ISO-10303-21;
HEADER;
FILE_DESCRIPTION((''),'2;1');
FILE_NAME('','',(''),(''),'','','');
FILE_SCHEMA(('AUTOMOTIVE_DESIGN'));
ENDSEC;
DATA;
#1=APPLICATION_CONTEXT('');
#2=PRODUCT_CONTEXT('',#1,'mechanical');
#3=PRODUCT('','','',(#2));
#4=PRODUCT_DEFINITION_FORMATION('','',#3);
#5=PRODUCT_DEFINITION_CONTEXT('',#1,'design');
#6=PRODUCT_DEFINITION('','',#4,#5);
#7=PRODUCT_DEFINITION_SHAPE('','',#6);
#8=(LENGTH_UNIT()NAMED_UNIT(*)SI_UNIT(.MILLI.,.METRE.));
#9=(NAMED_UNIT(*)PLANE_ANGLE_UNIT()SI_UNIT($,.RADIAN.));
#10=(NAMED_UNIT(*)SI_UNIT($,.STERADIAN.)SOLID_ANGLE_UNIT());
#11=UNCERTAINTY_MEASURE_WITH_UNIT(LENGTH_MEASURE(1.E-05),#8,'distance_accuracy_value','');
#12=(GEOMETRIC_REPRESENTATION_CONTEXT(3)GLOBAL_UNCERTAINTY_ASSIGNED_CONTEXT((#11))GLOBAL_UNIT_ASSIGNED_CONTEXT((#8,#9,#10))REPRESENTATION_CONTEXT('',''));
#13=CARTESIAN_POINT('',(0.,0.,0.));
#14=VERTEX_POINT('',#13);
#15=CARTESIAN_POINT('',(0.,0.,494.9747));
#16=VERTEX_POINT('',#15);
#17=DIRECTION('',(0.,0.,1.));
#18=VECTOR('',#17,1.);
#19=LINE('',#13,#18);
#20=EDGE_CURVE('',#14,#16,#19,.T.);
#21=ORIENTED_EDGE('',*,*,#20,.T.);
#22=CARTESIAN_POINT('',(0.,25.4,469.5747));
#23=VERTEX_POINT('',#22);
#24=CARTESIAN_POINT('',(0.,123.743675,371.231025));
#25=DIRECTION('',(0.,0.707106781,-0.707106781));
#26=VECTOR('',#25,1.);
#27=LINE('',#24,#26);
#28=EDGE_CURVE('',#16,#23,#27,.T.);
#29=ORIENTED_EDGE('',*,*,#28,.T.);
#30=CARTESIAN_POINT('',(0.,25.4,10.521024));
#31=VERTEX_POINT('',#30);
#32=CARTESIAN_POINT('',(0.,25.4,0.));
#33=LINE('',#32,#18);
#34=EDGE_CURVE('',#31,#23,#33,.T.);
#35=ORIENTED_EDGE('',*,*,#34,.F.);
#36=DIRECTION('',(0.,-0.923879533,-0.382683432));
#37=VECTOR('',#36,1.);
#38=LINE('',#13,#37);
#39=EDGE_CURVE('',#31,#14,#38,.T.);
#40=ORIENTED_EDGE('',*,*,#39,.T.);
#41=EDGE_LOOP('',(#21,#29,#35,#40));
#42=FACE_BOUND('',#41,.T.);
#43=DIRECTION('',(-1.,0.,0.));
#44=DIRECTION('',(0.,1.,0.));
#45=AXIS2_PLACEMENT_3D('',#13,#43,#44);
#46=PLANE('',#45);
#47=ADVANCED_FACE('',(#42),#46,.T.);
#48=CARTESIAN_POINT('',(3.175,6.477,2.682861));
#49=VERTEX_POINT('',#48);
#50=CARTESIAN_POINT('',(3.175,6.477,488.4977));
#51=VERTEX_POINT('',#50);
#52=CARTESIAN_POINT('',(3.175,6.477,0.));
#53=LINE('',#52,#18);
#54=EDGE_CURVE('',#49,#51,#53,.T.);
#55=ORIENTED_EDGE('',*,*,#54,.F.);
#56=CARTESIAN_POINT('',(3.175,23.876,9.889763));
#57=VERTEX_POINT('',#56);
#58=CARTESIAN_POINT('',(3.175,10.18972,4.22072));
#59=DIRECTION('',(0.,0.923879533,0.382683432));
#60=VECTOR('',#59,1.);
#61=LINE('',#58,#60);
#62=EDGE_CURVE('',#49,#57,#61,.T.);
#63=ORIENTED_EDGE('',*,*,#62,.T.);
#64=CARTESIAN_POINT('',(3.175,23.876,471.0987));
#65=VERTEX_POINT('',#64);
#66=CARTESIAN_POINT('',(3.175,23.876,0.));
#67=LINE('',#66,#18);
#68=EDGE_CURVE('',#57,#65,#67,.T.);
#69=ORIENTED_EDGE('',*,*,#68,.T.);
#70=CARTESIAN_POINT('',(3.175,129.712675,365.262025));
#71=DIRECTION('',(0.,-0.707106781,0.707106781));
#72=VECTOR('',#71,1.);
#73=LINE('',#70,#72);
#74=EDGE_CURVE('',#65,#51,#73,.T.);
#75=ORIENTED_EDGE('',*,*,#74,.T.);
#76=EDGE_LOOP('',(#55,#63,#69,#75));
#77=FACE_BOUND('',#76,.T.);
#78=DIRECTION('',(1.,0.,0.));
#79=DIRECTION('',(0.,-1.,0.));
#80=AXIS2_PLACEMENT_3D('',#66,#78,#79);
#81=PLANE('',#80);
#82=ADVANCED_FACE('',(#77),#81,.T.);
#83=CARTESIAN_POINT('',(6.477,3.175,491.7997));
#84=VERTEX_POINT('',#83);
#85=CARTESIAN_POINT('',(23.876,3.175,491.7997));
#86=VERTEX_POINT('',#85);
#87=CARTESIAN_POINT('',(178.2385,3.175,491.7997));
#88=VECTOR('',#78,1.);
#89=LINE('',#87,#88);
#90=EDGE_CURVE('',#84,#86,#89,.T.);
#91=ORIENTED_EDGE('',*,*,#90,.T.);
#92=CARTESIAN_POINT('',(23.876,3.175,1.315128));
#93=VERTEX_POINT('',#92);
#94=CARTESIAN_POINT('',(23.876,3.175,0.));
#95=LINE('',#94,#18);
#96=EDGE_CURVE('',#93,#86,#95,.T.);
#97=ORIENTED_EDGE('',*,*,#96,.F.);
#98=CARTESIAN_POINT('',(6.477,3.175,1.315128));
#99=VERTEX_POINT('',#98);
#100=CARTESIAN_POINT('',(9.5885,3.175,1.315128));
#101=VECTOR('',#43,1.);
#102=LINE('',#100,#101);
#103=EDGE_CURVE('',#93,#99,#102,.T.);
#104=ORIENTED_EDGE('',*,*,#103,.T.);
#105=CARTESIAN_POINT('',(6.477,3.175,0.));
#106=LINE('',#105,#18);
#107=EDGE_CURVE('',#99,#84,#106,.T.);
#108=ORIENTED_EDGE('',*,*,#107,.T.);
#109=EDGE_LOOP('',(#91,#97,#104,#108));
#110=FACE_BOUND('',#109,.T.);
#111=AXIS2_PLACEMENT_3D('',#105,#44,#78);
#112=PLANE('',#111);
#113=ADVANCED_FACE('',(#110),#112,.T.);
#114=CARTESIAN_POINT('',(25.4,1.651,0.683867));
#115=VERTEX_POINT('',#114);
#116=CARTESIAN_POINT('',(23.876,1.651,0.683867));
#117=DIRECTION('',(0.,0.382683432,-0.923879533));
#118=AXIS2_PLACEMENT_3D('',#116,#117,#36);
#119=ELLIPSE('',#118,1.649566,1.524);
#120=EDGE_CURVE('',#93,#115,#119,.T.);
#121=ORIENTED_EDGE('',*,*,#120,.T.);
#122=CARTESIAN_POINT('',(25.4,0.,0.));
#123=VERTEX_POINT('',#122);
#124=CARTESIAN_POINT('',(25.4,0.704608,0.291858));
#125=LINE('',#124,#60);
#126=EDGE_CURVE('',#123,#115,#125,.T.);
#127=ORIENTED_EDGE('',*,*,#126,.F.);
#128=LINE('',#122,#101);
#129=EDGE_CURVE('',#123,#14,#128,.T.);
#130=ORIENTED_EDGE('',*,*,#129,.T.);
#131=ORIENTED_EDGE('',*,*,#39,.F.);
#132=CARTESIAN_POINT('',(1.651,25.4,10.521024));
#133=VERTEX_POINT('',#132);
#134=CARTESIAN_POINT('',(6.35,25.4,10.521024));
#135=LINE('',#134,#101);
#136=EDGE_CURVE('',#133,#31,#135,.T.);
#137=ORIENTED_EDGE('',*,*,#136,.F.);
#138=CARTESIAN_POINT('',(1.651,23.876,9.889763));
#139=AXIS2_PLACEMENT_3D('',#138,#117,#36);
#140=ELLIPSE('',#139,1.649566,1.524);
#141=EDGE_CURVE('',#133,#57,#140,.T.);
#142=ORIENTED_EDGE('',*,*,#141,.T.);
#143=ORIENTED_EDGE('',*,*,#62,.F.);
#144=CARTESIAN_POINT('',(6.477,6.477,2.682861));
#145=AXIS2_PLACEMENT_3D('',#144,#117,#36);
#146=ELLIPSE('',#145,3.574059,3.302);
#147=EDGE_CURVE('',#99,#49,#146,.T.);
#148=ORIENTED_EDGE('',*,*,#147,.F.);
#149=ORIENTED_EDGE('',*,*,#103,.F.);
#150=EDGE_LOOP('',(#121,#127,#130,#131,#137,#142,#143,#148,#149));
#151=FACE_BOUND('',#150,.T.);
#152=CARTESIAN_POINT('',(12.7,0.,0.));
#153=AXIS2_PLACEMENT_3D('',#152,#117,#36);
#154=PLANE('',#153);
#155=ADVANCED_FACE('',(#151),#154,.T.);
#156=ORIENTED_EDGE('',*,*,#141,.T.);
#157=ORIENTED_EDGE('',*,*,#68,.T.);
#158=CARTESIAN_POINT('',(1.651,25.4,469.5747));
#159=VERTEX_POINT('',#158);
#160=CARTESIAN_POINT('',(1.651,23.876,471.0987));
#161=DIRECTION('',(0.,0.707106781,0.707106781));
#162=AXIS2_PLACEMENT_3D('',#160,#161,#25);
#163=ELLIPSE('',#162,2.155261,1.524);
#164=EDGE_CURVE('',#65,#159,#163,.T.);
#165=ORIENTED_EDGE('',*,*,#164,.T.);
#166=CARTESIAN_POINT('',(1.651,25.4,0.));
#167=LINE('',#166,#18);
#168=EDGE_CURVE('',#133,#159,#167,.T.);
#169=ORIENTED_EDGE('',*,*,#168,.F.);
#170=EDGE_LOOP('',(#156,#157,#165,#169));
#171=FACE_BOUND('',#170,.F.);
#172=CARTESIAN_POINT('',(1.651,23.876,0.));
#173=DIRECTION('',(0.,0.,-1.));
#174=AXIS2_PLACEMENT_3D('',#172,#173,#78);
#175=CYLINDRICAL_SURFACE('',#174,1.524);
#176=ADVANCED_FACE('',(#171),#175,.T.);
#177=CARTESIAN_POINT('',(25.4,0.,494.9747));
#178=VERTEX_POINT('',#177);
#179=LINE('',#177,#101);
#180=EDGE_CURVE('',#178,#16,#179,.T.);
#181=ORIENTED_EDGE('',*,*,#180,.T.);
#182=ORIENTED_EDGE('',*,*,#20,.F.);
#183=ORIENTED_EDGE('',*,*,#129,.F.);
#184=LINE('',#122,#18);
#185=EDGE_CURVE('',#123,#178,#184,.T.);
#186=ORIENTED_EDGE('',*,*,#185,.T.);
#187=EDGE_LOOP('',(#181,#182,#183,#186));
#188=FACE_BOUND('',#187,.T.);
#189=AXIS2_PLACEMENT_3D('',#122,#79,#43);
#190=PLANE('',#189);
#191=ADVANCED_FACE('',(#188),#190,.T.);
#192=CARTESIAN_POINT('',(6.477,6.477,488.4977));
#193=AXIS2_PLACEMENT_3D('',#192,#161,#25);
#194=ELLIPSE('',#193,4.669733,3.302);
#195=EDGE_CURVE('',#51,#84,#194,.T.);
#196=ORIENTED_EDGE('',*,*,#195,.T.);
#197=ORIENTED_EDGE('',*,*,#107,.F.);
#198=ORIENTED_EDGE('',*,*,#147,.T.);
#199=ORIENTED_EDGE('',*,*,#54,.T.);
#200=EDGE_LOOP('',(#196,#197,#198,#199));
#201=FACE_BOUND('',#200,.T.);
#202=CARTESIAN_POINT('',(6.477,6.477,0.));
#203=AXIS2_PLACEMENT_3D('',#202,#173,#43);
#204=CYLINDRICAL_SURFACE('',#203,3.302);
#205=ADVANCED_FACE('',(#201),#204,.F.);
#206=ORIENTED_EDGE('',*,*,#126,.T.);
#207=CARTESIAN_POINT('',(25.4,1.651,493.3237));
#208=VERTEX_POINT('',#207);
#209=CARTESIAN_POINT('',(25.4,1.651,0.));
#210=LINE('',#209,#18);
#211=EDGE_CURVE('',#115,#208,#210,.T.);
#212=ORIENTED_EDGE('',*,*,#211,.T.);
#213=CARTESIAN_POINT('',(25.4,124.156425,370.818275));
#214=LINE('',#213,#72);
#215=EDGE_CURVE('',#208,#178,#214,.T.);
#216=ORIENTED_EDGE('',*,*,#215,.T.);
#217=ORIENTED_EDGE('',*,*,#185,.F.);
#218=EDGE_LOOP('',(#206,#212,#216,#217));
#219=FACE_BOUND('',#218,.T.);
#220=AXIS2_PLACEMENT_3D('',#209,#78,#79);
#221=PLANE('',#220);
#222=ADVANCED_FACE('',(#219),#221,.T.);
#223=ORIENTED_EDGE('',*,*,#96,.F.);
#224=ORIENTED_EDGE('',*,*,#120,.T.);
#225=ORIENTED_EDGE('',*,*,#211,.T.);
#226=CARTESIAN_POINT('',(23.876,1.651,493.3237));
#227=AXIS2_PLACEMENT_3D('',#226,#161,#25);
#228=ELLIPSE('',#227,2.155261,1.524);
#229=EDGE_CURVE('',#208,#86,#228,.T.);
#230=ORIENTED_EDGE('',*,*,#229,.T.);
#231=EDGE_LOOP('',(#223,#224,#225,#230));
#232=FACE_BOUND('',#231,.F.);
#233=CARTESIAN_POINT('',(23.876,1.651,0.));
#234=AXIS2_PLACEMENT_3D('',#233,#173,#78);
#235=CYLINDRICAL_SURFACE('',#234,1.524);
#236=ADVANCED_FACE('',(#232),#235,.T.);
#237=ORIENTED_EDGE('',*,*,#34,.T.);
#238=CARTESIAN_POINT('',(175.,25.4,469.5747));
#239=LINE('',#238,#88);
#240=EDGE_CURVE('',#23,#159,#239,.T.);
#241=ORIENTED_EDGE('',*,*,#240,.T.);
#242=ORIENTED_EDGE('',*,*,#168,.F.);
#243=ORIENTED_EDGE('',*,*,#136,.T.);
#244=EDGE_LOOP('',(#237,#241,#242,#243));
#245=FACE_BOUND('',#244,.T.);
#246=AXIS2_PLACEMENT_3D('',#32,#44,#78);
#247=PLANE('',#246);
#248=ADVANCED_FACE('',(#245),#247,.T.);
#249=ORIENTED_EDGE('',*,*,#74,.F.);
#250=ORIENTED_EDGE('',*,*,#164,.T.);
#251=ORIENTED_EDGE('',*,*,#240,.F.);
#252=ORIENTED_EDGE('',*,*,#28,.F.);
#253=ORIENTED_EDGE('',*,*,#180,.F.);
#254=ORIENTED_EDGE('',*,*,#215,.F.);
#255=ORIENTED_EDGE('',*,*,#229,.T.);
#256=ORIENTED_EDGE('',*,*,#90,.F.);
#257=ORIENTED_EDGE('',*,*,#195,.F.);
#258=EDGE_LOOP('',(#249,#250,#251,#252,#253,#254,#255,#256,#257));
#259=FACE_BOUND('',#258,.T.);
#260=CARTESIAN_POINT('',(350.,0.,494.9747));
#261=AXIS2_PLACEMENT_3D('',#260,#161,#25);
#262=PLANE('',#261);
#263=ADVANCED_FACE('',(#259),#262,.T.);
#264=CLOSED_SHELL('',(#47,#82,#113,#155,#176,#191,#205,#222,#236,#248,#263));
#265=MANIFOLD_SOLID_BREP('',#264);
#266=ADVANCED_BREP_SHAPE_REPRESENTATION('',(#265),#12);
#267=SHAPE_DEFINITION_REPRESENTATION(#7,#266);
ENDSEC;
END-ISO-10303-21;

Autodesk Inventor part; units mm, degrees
ref_plane "Start Plane" through (0, 0, 0) normal (0, 0, 1) x (1, 0, 0)
ref_plane "End Plane" through (0, 0, 494.9747) normal (0, 0, 1) x (1, 0, 0)
sketch "Sketch" plane through (0, 0, 0) normal (0, 0, 1) x (1, 0, 0)
  line L0 (25.4, 0) -> (0, 0)
  line L1 (0, 0) -> (0, 25.4)
  line L2 (0, 25.4) -> (1.651, 25.4)
  line L3 (3.175, 23.876) -> (3.175, 6.477)
  line L4 (6.477, 3.175) -> (23.876, 3.175)
  line L5 (25.4, 1.651) -> (25.4, 0)
  line L6 (0, -11.0414) -> (0, 31.5385) construction
  line L7 (-11.0414, 0) -> (31.5385, 0) construction
  arc A0 (3.175, 6.477) -> (6.477, 3.175) centre (6.477, 6.477) ccw
  arc A1 (3.175, 23.876) -> (1.651, 25.4) centre (1.651, 23.876) ccw
  arc A2 (25.4, 1.651) -> (23.876, 3.175) centre (23.876, 1.651) ccw
  line L8 (0, 40.0545) -> (0, -19.5574) construction
  line L9 (-19.5574, 0) -> (40.0545, 0) construction
  point P0 (3.175, 25.4)
  point P1 (3.175, 3.175)
  point P2 (25.4, 3.175)
  dimension "d0" = 25.4
  dimension "d1" = 25.4
  dimension "d2" = 3.175
  dimension "d3" = 3.175
  dimension "d10" = 0
  dimension "d11" = 0
  dimension "d14" = 3.302
  dimension "d15" = 1.524
extrude "Body" add sketch "Sketch" along normal up to surface (494.9747 mm away) from surface at 0
sketch "Sketch3" plane through (0, 0, 0) normal (0, 0, 1) x (1, 0, 0)
  line L0 (0, 0) -> (10, 0)
ref_plane "Work Plane3" through (0, 0, 0) normal (0, -1, 0) x (1, 0, 0)
ref_plane "Work Plane4" through (12.7, 0, 0) normal (0, 0.3827, -0.9239) x (1, 0, 0)
split "Split1" plane through (12.7, 0, 0) removes the side toward (0, 0.3827, -0.9239)
ref_plane "Work Plane5" through (350, 0, 494.9747) normal (0, 0.7071, 0.7071) x (1, 0, 0)
split "Split2" plane through (350, 0, 494.9747) removes the side toward (0, 0.7071, 0.7071)
sketch "Sketch4" plane through (0, 0, 0) normal (0, -1, 0) x (1, 0, 0)
  line L0 (-2, 0) -> (12, 0) projected
  line L1 (-2, 494.9747) -> (12, 494.9747) projected
  dimension "d17" = 494.9747
equation "\"d0\" = G_H"
equation "\"d1\" = G_H"
equation "\"d2\" = G_T"
equation "\"d3\" = G_T"
equation "\"d14\" = G_IR"
equation "\"d15\" = G_ER"
equation "\"d4\" = G_L"
equation "\"G_H\" = 25.4"
equation "\"G_T\" = 3.175"
equation "\"G_ER\" = 1.524"
equation "\"G_IR\" = 3.302"
equation "\"G_L\" = d17"
equation "\"ex\" = 0"
equation "\"G_OFFSET_START\" = 0"
equation "\"G_OFFSET_END\" = 0"
equation "\"d13\" = G_OFFSET_END + B_L"
equation "\"B_L\" = 494.97475"
properties part number "AISC - L 1 x 1 x 1/8 - 19.487" material "Steel, Mild"
